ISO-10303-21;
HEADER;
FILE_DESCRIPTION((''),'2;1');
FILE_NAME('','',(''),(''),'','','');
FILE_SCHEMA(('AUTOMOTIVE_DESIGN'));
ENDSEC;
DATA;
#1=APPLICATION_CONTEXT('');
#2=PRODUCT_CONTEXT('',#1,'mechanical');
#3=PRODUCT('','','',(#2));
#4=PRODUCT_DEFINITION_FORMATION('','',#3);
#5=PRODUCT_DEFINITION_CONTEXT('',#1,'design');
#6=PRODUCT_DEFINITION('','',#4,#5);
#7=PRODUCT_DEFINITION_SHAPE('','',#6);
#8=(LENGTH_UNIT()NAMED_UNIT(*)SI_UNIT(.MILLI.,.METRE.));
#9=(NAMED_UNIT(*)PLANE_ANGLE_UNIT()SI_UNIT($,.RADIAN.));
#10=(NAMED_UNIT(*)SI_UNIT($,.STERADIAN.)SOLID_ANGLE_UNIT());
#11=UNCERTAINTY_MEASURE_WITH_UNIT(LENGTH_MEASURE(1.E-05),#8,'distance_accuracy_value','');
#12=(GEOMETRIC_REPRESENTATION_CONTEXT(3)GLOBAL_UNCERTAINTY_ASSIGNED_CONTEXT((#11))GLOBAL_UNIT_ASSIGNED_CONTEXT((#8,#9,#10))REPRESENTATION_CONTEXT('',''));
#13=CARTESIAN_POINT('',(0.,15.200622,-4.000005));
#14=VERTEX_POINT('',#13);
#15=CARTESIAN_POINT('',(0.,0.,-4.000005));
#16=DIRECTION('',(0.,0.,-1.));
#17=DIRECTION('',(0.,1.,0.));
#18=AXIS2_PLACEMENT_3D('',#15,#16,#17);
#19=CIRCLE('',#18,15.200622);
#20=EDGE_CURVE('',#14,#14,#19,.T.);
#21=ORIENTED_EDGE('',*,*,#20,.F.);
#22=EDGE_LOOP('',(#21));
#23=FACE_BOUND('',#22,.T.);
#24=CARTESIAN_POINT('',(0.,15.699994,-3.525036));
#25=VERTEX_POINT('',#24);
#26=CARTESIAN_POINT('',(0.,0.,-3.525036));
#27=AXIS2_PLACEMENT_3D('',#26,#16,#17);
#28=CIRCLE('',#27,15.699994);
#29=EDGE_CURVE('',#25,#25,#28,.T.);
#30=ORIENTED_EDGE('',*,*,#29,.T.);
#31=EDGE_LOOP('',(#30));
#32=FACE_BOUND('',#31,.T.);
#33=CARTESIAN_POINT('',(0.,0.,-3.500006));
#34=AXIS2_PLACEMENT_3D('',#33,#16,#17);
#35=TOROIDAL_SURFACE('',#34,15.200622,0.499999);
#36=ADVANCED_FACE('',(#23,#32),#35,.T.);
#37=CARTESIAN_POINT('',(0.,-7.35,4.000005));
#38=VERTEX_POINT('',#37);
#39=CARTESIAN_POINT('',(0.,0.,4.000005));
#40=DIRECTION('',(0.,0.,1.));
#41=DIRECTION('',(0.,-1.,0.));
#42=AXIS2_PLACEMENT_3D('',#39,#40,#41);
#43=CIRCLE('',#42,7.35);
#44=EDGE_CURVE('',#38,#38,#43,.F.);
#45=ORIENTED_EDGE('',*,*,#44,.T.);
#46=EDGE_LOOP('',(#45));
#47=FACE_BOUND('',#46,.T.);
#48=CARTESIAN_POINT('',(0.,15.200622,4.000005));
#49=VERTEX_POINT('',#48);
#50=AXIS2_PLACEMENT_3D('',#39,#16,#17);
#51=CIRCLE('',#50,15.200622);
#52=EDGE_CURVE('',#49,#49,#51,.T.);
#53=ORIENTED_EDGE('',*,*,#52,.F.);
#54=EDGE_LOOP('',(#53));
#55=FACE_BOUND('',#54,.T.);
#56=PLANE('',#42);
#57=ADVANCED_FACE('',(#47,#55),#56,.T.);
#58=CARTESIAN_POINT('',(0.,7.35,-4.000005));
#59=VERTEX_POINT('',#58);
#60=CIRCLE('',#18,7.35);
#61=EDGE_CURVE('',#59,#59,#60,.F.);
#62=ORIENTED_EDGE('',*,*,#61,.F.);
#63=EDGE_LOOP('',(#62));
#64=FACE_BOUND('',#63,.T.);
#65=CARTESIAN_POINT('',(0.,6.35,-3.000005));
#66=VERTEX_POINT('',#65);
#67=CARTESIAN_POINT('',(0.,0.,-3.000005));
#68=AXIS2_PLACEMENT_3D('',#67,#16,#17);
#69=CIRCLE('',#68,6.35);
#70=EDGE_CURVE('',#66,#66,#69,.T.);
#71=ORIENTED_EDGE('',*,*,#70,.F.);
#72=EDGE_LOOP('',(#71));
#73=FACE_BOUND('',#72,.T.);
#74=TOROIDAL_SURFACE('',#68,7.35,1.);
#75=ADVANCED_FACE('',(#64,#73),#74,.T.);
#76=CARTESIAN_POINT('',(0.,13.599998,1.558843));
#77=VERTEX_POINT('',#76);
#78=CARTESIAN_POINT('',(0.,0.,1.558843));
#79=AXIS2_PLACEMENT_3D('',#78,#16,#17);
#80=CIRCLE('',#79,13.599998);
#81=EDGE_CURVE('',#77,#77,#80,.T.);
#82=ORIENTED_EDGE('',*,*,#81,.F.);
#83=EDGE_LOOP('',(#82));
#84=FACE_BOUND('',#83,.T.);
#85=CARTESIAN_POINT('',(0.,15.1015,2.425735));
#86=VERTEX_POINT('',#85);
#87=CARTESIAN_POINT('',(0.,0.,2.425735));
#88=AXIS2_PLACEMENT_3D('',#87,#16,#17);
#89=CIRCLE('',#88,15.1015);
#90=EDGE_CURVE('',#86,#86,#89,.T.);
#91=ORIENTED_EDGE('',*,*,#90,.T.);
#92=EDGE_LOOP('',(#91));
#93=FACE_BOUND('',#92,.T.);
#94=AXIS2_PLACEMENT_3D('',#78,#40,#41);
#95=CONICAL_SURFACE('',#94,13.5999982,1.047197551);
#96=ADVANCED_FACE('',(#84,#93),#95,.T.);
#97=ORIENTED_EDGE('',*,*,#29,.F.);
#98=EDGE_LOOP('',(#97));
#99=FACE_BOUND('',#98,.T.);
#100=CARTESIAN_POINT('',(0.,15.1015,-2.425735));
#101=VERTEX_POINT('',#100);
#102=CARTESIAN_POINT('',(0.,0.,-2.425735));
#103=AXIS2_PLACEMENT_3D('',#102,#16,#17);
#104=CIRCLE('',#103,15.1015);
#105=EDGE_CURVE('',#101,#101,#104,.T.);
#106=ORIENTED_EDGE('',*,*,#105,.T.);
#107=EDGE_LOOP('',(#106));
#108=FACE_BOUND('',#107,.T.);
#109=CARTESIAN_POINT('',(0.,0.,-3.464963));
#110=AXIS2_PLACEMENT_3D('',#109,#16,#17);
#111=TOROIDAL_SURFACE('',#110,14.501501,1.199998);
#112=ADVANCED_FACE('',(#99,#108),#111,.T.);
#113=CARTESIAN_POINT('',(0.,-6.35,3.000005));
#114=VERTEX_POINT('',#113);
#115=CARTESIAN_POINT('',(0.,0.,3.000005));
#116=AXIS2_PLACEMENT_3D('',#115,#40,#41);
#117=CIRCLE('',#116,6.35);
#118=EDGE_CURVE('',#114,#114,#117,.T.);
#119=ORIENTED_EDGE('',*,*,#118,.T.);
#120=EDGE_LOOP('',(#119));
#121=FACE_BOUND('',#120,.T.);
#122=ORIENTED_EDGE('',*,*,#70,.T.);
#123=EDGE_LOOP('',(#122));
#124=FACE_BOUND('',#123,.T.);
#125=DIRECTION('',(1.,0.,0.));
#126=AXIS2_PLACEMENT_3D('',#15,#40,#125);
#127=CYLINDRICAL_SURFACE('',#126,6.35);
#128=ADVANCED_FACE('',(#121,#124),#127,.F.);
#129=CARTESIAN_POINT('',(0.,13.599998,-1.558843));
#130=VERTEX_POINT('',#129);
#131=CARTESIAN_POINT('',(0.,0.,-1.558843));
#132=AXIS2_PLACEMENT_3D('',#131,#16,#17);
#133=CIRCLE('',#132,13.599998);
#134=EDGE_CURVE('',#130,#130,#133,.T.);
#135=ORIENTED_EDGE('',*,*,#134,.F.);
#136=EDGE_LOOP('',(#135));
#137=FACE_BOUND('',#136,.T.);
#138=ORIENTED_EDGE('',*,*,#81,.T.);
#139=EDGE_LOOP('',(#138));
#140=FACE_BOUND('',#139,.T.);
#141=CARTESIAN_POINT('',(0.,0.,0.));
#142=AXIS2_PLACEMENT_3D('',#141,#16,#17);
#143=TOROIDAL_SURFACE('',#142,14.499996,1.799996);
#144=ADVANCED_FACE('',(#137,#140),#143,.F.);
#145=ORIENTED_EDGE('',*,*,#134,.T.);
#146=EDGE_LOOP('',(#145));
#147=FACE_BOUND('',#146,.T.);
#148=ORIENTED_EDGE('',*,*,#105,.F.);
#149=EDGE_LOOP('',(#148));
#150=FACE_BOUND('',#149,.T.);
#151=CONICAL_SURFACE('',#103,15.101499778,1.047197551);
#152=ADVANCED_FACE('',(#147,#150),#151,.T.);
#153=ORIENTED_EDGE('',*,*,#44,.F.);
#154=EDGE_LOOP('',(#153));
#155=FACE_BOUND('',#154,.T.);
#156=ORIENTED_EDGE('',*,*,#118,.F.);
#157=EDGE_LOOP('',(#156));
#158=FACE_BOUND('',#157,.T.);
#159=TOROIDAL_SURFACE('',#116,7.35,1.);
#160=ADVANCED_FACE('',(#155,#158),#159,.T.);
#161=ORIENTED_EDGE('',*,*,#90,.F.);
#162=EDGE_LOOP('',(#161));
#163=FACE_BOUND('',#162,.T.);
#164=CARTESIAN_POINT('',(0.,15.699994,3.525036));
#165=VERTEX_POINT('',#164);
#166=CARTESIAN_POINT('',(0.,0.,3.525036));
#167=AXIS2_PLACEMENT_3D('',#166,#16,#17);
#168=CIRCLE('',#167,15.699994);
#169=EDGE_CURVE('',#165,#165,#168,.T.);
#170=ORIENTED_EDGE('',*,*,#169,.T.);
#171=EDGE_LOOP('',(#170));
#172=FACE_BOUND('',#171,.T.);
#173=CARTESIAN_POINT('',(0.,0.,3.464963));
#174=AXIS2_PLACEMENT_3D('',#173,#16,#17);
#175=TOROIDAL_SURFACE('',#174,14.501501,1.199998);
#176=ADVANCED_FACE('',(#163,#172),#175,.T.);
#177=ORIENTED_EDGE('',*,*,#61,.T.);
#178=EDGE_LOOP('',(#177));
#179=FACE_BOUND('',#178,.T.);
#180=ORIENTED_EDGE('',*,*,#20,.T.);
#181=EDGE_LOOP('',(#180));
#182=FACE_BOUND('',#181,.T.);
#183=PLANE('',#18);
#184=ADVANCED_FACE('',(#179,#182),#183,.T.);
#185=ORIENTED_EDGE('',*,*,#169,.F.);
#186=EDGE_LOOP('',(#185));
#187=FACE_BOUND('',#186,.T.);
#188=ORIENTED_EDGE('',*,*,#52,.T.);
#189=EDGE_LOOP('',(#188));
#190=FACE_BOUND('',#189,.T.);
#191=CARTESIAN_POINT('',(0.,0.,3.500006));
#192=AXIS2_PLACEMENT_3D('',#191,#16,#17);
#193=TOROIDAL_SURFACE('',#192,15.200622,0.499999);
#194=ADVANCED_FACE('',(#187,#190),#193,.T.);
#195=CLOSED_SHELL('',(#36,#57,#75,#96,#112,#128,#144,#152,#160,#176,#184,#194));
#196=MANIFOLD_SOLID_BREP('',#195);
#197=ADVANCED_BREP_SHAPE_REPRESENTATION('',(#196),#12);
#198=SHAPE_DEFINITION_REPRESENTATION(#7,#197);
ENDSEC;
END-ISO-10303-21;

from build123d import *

# Parameters (mm, degrees)
SKETCH2_R          = 6.35
CUT_EXTRUDE2_DEPTH = 9.0000094
FILLET3_R          = 1


with BuildPart() as part:
    # Sketch1 → Revolve1 (revolve)
    with BuildSketch(Plane(origin=(0, 0, 0), x_dir=(0, 0, -1), z_dir=(1, 0, 0))):
        with BuildLine():
            Line((4.0000047, 0), (-4.0000047, 0))
            Line((-4.0000047, 0), (-4.0000047, 15.200621907))
            ThreePointArc((-4.0000047, 15.200621907), (-3.862299847, 15.545211447), (-3.525035946, 15.699994))
            ThreePointArc((-3.525035946, 15.699994), (-2.891173009, 15.55542644), (-2.425734949, 15.101499778))
            Line((-2.425734949, 15.101499778), (-1.558842609, 13.5999982))
            ThreePointArc((-1.558842609, 13.5999982), (0, 12.7), (1.558842609, 13.5999982))
            Line((1.558842609, 13.5999982), (2.425734949, 15.101499778))
            ThreePointArc((2.425734949, 15.101499778), (2.891173009, 15.55542644), (3.525035946, 15.699994))
            ThreePointArc((3.525035946, 15.699994), (3.862299847, 15.545211447), (4.0000047, 15.200621907))
            Line((4.0000047, 15.200621907), (4.0000047, 0))
        make_face()
    revolve(axis=Axis((0, 0, -4.0000047), (0, 0, 1)))

    # Sketch2 → Cut-Extrude2 (cut, through all)
    with BuildSketch(Plane.XY.offset(4.0000047)):
        Circle(SKETCH2_R)
    extrude(amount=-CUT_EXTRUDE2_DEPTH, mode=Mode.SUBTRACT)

    # Fillet3
    fillet3_edges = [part.edges().sort_by_distance(p)[0] for p in [
        (-6.35, 0, -4.0000047),
        (-6.35, 0, 4.0000047),
    ]]
    fillet(fillet3_edges, radius=FILLET3_R)


solid = part.part
